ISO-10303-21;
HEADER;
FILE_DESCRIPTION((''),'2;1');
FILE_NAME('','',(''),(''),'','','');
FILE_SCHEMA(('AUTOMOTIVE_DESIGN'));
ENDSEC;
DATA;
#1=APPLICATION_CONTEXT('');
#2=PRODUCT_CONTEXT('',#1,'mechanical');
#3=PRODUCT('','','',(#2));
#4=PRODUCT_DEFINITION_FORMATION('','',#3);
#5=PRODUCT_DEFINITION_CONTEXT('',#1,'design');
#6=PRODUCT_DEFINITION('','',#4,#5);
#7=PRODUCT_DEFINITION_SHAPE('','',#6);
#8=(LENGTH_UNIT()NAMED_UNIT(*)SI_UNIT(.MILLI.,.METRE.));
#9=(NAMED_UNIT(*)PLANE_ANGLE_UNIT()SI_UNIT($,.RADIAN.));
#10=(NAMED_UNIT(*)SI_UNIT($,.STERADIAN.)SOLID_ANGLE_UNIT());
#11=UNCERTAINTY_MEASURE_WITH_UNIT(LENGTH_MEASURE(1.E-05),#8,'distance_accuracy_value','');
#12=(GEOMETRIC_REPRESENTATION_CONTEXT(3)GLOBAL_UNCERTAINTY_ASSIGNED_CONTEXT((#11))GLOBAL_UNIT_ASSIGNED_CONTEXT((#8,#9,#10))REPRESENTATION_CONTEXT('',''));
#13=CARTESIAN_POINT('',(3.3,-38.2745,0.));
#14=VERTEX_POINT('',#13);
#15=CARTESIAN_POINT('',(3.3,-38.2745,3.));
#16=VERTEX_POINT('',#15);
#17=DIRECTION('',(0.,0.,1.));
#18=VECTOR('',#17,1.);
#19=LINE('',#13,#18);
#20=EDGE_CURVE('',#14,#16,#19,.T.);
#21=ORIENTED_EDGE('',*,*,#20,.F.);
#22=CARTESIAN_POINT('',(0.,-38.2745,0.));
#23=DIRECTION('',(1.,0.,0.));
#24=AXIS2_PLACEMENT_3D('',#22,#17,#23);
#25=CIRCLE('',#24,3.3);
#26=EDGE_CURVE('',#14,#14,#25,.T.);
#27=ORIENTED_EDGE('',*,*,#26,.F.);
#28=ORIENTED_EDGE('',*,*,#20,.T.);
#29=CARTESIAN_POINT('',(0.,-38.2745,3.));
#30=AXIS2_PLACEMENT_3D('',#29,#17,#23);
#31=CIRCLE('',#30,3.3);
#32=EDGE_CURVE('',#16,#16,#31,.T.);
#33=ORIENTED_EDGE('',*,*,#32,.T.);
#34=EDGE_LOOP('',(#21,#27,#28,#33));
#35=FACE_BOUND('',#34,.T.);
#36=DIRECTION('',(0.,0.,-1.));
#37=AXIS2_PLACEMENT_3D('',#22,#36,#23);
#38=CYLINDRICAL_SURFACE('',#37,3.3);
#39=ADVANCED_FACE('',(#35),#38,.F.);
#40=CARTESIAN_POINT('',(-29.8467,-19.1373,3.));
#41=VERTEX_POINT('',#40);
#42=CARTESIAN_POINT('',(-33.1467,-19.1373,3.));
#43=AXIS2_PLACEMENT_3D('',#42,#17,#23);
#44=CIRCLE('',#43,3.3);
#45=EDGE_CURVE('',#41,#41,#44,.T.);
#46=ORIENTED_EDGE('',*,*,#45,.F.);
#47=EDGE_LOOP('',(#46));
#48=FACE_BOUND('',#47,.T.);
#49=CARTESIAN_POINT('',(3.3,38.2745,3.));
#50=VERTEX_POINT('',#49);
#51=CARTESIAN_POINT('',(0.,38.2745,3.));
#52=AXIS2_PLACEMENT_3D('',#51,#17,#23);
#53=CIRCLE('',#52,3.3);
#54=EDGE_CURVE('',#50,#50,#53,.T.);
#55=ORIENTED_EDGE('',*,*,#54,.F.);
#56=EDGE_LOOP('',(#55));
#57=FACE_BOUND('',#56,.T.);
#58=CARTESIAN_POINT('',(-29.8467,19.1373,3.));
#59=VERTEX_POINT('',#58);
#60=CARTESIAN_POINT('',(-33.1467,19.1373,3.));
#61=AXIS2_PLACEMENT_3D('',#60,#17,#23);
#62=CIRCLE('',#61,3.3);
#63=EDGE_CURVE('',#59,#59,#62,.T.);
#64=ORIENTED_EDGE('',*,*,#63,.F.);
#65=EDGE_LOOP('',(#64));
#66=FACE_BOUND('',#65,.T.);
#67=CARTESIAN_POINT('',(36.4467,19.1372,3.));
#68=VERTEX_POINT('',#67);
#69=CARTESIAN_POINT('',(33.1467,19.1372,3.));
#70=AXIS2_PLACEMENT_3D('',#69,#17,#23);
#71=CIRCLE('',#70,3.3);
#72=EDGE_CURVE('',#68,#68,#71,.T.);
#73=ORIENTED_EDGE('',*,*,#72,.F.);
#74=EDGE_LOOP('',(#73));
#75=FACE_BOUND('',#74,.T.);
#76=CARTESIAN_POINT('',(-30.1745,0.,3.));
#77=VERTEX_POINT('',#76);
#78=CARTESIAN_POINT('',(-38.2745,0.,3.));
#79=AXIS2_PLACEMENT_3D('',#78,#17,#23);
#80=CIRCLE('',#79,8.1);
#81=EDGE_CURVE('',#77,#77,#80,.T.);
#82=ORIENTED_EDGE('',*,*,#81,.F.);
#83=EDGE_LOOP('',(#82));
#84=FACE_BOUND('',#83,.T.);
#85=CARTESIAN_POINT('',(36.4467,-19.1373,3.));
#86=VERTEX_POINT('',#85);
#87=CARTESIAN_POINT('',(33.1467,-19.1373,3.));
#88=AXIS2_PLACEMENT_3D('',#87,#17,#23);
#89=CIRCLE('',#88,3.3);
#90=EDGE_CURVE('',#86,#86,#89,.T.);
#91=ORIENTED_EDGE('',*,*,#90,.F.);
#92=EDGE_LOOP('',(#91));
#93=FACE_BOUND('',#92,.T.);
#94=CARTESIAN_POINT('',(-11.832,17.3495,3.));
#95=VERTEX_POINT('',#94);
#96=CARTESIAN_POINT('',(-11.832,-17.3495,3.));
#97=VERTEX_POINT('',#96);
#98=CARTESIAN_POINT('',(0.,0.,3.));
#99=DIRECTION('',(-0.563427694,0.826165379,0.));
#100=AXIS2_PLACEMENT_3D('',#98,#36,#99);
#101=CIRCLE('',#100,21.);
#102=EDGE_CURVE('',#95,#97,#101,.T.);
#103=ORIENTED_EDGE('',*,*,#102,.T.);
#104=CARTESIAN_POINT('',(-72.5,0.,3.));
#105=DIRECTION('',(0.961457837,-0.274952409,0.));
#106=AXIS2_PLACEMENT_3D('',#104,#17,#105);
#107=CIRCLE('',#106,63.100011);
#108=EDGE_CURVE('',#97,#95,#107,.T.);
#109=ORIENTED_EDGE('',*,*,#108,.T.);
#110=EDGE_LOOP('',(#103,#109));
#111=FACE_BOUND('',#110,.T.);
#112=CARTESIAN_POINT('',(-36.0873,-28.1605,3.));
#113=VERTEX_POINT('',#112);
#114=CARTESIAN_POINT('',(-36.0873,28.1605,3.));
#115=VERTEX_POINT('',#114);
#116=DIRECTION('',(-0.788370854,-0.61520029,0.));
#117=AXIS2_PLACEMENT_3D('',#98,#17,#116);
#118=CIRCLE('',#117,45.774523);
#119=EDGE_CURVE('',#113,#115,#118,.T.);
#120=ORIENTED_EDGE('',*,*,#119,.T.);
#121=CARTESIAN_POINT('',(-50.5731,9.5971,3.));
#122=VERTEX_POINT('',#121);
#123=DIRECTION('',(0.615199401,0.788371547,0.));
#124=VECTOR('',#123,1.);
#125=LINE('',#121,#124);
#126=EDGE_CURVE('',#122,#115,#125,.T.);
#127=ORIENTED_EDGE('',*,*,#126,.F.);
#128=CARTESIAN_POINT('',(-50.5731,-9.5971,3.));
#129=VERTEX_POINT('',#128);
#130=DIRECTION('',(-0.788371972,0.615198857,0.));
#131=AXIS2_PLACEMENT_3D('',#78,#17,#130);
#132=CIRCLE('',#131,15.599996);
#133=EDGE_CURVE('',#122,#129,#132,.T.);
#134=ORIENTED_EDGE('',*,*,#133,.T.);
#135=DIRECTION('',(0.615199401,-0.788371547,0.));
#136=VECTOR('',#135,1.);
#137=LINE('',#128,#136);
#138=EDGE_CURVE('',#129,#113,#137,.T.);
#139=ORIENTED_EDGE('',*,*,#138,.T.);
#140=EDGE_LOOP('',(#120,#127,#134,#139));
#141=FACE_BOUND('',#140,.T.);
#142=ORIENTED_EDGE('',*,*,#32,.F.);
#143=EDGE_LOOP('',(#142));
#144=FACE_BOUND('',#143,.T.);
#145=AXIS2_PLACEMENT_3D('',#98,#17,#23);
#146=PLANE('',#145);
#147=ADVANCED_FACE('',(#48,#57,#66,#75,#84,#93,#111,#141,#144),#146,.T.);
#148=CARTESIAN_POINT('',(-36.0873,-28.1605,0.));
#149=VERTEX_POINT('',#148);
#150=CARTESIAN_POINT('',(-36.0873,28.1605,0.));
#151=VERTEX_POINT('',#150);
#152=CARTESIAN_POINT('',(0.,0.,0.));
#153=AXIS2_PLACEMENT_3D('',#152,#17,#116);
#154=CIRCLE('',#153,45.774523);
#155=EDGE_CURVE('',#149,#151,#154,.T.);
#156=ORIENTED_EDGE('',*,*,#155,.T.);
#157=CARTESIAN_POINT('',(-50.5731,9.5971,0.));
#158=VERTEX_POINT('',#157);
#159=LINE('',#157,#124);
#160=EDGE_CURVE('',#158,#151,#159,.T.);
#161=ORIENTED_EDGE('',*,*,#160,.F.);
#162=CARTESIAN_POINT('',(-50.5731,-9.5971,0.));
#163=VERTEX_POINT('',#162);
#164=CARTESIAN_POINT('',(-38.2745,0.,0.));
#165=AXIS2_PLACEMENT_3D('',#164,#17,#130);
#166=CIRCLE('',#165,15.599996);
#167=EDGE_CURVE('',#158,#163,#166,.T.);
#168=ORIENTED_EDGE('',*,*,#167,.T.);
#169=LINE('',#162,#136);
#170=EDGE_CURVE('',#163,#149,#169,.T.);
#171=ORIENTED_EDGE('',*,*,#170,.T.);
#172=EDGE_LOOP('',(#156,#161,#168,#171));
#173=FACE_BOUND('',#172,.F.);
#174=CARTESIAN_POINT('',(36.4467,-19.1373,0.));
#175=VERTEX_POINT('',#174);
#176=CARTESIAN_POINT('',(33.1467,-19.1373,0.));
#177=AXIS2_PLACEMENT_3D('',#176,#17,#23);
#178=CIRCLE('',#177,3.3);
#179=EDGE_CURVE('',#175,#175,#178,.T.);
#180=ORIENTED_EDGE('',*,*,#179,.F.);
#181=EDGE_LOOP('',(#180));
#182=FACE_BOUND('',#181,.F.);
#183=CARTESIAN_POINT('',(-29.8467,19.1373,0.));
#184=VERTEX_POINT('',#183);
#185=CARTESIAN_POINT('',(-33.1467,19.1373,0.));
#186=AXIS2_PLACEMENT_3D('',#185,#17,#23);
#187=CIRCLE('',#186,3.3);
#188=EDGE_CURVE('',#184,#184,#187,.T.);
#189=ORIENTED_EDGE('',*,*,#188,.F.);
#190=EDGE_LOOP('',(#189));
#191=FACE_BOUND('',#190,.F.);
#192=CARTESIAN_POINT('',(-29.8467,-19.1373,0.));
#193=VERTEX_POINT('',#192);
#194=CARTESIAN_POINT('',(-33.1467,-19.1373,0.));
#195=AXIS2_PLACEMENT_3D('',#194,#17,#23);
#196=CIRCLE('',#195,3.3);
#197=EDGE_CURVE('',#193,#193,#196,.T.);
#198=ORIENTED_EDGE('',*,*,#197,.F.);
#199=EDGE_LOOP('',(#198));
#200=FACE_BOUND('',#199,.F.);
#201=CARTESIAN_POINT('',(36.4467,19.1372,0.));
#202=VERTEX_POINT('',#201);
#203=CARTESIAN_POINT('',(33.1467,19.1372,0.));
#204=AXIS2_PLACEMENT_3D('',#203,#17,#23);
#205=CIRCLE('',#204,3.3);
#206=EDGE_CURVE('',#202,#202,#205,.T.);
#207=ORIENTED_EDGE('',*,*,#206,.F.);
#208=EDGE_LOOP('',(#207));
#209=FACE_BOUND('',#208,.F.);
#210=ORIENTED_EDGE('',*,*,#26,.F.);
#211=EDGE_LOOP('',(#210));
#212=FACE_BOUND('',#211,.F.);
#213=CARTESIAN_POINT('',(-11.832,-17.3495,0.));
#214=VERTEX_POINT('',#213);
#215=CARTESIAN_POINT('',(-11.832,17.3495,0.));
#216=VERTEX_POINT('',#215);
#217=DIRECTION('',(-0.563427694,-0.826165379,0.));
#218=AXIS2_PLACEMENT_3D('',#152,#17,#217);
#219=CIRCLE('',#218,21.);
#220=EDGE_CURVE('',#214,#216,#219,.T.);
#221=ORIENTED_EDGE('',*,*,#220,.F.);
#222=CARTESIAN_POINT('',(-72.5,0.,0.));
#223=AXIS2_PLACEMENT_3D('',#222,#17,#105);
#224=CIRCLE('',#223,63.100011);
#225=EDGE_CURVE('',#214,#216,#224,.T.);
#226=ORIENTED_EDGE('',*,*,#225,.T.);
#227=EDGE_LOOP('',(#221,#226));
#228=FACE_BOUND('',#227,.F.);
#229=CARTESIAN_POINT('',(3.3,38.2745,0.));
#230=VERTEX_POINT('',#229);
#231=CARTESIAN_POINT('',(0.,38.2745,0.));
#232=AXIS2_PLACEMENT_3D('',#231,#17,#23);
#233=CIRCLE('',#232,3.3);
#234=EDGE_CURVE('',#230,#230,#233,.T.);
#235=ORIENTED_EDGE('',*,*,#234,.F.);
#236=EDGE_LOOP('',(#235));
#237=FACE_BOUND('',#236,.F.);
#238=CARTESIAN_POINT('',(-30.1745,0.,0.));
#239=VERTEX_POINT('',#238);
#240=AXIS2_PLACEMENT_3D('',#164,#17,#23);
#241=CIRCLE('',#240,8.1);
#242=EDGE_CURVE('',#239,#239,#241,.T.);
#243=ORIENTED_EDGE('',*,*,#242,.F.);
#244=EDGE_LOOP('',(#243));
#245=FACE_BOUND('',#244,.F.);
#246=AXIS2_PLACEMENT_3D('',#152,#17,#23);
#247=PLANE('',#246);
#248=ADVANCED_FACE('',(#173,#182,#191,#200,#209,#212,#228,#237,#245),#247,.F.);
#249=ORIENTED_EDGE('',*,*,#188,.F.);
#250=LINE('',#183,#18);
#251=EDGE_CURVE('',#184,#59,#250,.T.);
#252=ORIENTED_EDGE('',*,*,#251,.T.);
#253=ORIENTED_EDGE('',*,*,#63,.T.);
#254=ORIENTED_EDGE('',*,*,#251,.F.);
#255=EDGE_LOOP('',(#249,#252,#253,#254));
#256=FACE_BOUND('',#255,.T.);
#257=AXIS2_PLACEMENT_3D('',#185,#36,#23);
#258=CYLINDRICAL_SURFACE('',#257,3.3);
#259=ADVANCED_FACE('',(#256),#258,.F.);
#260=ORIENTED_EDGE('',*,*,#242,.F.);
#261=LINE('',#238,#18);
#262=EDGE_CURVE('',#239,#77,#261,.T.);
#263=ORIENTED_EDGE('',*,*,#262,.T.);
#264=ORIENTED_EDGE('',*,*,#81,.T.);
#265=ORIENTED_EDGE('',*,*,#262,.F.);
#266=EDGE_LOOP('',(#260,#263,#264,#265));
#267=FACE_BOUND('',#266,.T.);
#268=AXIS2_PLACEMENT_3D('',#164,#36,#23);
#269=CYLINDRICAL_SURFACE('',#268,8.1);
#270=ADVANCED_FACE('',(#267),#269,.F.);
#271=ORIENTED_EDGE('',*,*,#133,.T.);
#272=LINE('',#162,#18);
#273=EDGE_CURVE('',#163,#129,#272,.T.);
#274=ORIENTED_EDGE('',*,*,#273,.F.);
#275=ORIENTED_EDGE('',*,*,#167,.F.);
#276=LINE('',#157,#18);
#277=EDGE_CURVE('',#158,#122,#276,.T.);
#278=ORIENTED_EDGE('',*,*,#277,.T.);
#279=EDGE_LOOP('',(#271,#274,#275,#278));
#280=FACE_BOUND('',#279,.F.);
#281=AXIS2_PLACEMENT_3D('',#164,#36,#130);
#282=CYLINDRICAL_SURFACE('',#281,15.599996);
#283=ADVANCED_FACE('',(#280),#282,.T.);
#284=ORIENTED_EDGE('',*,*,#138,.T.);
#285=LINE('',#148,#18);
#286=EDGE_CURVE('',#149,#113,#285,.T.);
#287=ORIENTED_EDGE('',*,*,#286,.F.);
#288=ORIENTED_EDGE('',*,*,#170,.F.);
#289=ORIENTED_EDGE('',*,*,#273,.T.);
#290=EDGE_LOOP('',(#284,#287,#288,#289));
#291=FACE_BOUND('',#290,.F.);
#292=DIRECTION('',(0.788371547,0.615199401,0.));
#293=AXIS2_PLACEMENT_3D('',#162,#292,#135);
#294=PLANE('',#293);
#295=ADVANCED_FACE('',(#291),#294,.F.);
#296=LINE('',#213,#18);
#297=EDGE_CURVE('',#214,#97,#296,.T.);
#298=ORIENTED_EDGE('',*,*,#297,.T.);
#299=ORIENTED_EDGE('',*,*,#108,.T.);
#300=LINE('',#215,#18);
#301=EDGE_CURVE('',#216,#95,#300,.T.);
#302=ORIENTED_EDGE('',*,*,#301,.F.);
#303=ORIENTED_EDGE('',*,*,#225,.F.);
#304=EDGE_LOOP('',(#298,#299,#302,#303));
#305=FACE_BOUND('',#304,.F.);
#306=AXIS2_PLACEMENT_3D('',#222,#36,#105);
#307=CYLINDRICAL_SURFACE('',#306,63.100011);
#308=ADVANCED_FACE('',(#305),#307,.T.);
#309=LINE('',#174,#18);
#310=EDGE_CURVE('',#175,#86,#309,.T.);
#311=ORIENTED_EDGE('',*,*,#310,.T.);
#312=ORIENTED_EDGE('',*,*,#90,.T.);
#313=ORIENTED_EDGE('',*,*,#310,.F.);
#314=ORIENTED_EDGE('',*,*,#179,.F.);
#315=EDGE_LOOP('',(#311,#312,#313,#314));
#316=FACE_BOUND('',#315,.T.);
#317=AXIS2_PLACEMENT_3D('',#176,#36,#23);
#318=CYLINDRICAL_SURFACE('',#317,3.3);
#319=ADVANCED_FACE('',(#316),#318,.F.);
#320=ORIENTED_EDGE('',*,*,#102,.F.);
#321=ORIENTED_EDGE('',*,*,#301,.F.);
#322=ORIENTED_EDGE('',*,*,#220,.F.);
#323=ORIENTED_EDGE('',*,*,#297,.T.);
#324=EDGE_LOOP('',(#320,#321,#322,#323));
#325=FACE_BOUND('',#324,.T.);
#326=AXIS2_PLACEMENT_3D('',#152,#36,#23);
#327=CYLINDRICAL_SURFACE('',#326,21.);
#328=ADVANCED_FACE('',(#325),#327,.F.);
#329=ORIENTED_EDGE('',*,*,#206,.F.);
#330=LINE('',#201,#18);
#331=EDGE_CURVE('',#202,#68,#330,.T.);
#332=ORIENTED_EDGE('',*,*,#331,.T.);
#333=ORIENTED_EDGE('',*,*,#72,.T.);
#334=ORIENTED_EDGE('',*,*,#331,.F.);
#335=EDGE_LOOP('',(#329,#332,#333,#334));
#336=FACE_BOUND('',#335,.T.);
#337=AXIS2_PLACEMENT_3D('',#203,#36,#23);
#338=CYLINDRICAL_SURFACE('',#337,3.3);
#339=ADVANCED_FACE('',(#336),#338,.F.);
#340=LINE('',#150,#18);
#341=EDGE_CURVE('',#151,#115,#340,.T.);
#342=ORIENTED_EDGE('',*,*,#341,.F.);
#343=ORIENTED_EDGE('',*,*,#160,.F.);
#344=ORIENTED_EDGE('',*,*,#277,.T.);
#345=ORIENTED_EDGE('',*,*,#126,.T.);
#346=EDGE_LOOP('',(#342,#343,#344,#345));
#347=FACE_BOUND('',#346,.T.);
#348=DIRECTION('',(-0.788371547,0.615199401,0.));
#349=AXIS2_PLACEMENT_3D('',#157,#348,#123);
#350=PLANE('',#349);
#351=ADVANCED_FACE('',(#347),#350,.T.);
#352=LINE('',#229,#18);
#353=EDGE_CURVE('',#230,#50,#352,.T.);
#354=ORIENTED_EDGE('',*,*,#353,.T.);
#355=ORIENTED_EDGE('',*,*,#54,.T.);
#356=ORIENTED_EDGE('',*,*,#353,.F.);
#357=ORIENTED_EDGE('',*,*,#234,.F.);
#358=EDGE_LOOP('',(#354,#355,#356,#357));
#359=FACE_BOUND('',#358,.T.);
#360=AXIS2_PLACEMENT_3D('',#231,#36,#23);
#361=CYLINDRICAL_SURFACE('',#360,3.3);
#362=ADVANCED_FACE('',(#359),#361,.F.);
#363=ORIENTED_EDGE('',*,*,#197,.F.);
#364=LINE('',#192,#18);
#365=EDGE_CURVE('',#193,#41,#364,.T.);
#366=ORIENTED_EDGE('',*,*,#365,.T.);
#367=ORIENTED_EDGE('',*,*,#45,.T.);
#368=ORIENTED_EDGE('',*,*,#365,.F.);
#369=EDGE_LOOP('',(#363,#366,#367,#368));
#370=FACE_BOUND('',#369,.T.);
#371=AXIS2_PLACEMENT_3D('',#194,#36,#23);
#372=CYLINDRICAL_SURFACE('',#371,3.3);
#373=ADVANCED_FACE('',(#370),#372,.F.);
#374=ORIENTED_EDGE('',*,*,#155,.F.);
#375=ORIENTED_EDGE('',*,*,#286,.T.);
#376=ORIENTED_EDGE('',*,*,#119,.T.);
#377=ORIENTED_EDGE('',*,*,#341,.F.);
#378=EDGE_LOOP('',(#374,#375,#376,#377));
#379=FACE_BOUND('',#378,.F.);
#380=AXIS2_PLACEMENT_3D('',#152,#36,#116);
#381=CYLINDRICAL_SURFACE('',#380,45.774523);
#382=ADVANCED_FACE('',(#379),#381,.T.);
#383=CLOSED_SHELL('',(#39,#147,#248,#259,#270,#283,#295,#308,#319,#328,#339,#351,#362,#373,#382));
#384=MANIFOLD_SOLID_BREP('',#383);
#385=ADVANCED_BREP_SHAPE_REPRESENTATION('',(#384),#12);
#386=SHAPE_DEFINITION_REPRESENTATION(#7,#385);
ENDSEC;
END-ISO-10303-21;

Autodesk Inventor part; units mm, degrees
ref_plane "YZ Plane" through (0, 0, 0) normal (1, 0, 0) x (0, 1, 0)
ref_plane "XZ Plane" through (0, 0, 0) normal (0, 1, 0) x (-1, 0, 0)
ref_plane "XY Plane" through (0, 0, 0) normal (0, 0, 1) x (1, 0, 0)
sketch "Sketch1" plane through (0, 0, 0) normal (0, 0, 1) x (1, 0, 0)
  circle A0 centre (0, 0) radius 46.3745 construction
  circle A1 centre (-38.2745, 0) radius 8.1
  circle A2 centre (0, 0) radius 38.2745 construction
  circle A3 centre (0, 38.2745) radius 3.3
  circle A4 centre (0, 0) radius 53.8745 construction
  arc A5 (-50.5731, 9.5971) -> (-50.5731, -9.5971) centre (-38.2745, 0) ccw
  line L0 (-50.5731, 9.5971) -> (-36.0873, 28.1605)
  line L1 (-50.5731, -9.5971) -> (-36.0873, -28.1605)
  line L2 (0, 0) -> (-103.0291, 0) construction
  arc A6 (-36.0873, -28.1605) -> (-36.0873, 28.1605) centre (0, 0) ccw
  circle A7 centre (-33.1467, 19.1373) radius 3.3
  circle A8 centre (-33.1467, -19.1373) radius 3.3
  circle A9 centre (0, -38.2745) radius 3.3
  circle A10 centre (33.1467, -19.1373) radius 3.3
  circle A11 centre (33.1467, 19.1372) radius 3.3
  line L3 (0, 7.3323) -> (6.35, 3.6662) construction
  line L4 (6.35, 3.6662) -> (6.35, -3.6662) construction
  line L5 (6.35, -3.6662) -> (0, -7.3323) construction
  line L6 (0, -7.3323) -> (-6.35, -3.6662) construction
  line L7 (-6.35, -3.6662) -> (-6.35, 3.6662) construction
  line L8 (-6.35, 3.6662) -> (0, 7.3323) construction
  line L9 (6.95, 4.0126) -> (0, 8.0252)
  line L10 (0, 8.0252) -> (-6.95, 4.0126)
  line L11 (-6.95, 4.0126) -> (-6.95, -4.0126)
  line L12 (-6.95, -4.0126) -> (0, -8.0252)
  line L13 (0, -8.0252) -> (6.95, -4.0126)
  line L14 (6.95, -4.0126) -> (6.95, 4.0126)
  circle A12 centre (-38.2745, 0) radius 7.5 construction
  circle A13 centre (0, 0) radius 21.6 construction
  line L15 (0, 0) -> (-246.4986, 0) construction
  line L16 (0, 0) -> (-10, 0) construction
  arc A14 (-12.528, -17.5957) -> (-12.528, 17.5957) centre (-72.5, 0) ccw construction
  arc A15 (-11.832, -17.3495) -> (-11.832, 17.3495) centre (-72.5, 0) ccw
  circle A16 centre (0, 0) radius 21
  dimension "d0" = 92.749
  dimension "d4" = 6.6
  dimension "d11" = 7.5
  dimension "d16" = 360
  dimension "d18" = 12.7
  dimension "d19" = 0.6
  dimension "d28" = 15
  dimension "d29" = 0.6
  dimension "d30" = 43.2
  dimension "d34" = 10
  dimension "d35" = 0.6
  dimension "d36" = 0.6
  dimension "d39" = 7.5
extrude "Extrusion1" add sketch "Sketch1" along normal blind 3 contours L0 A6 L1 A5 | A16 A15 picked at (-13.2645, 4.6046)
properties part number "GenevaDrive" material "Plywood, Finish"
